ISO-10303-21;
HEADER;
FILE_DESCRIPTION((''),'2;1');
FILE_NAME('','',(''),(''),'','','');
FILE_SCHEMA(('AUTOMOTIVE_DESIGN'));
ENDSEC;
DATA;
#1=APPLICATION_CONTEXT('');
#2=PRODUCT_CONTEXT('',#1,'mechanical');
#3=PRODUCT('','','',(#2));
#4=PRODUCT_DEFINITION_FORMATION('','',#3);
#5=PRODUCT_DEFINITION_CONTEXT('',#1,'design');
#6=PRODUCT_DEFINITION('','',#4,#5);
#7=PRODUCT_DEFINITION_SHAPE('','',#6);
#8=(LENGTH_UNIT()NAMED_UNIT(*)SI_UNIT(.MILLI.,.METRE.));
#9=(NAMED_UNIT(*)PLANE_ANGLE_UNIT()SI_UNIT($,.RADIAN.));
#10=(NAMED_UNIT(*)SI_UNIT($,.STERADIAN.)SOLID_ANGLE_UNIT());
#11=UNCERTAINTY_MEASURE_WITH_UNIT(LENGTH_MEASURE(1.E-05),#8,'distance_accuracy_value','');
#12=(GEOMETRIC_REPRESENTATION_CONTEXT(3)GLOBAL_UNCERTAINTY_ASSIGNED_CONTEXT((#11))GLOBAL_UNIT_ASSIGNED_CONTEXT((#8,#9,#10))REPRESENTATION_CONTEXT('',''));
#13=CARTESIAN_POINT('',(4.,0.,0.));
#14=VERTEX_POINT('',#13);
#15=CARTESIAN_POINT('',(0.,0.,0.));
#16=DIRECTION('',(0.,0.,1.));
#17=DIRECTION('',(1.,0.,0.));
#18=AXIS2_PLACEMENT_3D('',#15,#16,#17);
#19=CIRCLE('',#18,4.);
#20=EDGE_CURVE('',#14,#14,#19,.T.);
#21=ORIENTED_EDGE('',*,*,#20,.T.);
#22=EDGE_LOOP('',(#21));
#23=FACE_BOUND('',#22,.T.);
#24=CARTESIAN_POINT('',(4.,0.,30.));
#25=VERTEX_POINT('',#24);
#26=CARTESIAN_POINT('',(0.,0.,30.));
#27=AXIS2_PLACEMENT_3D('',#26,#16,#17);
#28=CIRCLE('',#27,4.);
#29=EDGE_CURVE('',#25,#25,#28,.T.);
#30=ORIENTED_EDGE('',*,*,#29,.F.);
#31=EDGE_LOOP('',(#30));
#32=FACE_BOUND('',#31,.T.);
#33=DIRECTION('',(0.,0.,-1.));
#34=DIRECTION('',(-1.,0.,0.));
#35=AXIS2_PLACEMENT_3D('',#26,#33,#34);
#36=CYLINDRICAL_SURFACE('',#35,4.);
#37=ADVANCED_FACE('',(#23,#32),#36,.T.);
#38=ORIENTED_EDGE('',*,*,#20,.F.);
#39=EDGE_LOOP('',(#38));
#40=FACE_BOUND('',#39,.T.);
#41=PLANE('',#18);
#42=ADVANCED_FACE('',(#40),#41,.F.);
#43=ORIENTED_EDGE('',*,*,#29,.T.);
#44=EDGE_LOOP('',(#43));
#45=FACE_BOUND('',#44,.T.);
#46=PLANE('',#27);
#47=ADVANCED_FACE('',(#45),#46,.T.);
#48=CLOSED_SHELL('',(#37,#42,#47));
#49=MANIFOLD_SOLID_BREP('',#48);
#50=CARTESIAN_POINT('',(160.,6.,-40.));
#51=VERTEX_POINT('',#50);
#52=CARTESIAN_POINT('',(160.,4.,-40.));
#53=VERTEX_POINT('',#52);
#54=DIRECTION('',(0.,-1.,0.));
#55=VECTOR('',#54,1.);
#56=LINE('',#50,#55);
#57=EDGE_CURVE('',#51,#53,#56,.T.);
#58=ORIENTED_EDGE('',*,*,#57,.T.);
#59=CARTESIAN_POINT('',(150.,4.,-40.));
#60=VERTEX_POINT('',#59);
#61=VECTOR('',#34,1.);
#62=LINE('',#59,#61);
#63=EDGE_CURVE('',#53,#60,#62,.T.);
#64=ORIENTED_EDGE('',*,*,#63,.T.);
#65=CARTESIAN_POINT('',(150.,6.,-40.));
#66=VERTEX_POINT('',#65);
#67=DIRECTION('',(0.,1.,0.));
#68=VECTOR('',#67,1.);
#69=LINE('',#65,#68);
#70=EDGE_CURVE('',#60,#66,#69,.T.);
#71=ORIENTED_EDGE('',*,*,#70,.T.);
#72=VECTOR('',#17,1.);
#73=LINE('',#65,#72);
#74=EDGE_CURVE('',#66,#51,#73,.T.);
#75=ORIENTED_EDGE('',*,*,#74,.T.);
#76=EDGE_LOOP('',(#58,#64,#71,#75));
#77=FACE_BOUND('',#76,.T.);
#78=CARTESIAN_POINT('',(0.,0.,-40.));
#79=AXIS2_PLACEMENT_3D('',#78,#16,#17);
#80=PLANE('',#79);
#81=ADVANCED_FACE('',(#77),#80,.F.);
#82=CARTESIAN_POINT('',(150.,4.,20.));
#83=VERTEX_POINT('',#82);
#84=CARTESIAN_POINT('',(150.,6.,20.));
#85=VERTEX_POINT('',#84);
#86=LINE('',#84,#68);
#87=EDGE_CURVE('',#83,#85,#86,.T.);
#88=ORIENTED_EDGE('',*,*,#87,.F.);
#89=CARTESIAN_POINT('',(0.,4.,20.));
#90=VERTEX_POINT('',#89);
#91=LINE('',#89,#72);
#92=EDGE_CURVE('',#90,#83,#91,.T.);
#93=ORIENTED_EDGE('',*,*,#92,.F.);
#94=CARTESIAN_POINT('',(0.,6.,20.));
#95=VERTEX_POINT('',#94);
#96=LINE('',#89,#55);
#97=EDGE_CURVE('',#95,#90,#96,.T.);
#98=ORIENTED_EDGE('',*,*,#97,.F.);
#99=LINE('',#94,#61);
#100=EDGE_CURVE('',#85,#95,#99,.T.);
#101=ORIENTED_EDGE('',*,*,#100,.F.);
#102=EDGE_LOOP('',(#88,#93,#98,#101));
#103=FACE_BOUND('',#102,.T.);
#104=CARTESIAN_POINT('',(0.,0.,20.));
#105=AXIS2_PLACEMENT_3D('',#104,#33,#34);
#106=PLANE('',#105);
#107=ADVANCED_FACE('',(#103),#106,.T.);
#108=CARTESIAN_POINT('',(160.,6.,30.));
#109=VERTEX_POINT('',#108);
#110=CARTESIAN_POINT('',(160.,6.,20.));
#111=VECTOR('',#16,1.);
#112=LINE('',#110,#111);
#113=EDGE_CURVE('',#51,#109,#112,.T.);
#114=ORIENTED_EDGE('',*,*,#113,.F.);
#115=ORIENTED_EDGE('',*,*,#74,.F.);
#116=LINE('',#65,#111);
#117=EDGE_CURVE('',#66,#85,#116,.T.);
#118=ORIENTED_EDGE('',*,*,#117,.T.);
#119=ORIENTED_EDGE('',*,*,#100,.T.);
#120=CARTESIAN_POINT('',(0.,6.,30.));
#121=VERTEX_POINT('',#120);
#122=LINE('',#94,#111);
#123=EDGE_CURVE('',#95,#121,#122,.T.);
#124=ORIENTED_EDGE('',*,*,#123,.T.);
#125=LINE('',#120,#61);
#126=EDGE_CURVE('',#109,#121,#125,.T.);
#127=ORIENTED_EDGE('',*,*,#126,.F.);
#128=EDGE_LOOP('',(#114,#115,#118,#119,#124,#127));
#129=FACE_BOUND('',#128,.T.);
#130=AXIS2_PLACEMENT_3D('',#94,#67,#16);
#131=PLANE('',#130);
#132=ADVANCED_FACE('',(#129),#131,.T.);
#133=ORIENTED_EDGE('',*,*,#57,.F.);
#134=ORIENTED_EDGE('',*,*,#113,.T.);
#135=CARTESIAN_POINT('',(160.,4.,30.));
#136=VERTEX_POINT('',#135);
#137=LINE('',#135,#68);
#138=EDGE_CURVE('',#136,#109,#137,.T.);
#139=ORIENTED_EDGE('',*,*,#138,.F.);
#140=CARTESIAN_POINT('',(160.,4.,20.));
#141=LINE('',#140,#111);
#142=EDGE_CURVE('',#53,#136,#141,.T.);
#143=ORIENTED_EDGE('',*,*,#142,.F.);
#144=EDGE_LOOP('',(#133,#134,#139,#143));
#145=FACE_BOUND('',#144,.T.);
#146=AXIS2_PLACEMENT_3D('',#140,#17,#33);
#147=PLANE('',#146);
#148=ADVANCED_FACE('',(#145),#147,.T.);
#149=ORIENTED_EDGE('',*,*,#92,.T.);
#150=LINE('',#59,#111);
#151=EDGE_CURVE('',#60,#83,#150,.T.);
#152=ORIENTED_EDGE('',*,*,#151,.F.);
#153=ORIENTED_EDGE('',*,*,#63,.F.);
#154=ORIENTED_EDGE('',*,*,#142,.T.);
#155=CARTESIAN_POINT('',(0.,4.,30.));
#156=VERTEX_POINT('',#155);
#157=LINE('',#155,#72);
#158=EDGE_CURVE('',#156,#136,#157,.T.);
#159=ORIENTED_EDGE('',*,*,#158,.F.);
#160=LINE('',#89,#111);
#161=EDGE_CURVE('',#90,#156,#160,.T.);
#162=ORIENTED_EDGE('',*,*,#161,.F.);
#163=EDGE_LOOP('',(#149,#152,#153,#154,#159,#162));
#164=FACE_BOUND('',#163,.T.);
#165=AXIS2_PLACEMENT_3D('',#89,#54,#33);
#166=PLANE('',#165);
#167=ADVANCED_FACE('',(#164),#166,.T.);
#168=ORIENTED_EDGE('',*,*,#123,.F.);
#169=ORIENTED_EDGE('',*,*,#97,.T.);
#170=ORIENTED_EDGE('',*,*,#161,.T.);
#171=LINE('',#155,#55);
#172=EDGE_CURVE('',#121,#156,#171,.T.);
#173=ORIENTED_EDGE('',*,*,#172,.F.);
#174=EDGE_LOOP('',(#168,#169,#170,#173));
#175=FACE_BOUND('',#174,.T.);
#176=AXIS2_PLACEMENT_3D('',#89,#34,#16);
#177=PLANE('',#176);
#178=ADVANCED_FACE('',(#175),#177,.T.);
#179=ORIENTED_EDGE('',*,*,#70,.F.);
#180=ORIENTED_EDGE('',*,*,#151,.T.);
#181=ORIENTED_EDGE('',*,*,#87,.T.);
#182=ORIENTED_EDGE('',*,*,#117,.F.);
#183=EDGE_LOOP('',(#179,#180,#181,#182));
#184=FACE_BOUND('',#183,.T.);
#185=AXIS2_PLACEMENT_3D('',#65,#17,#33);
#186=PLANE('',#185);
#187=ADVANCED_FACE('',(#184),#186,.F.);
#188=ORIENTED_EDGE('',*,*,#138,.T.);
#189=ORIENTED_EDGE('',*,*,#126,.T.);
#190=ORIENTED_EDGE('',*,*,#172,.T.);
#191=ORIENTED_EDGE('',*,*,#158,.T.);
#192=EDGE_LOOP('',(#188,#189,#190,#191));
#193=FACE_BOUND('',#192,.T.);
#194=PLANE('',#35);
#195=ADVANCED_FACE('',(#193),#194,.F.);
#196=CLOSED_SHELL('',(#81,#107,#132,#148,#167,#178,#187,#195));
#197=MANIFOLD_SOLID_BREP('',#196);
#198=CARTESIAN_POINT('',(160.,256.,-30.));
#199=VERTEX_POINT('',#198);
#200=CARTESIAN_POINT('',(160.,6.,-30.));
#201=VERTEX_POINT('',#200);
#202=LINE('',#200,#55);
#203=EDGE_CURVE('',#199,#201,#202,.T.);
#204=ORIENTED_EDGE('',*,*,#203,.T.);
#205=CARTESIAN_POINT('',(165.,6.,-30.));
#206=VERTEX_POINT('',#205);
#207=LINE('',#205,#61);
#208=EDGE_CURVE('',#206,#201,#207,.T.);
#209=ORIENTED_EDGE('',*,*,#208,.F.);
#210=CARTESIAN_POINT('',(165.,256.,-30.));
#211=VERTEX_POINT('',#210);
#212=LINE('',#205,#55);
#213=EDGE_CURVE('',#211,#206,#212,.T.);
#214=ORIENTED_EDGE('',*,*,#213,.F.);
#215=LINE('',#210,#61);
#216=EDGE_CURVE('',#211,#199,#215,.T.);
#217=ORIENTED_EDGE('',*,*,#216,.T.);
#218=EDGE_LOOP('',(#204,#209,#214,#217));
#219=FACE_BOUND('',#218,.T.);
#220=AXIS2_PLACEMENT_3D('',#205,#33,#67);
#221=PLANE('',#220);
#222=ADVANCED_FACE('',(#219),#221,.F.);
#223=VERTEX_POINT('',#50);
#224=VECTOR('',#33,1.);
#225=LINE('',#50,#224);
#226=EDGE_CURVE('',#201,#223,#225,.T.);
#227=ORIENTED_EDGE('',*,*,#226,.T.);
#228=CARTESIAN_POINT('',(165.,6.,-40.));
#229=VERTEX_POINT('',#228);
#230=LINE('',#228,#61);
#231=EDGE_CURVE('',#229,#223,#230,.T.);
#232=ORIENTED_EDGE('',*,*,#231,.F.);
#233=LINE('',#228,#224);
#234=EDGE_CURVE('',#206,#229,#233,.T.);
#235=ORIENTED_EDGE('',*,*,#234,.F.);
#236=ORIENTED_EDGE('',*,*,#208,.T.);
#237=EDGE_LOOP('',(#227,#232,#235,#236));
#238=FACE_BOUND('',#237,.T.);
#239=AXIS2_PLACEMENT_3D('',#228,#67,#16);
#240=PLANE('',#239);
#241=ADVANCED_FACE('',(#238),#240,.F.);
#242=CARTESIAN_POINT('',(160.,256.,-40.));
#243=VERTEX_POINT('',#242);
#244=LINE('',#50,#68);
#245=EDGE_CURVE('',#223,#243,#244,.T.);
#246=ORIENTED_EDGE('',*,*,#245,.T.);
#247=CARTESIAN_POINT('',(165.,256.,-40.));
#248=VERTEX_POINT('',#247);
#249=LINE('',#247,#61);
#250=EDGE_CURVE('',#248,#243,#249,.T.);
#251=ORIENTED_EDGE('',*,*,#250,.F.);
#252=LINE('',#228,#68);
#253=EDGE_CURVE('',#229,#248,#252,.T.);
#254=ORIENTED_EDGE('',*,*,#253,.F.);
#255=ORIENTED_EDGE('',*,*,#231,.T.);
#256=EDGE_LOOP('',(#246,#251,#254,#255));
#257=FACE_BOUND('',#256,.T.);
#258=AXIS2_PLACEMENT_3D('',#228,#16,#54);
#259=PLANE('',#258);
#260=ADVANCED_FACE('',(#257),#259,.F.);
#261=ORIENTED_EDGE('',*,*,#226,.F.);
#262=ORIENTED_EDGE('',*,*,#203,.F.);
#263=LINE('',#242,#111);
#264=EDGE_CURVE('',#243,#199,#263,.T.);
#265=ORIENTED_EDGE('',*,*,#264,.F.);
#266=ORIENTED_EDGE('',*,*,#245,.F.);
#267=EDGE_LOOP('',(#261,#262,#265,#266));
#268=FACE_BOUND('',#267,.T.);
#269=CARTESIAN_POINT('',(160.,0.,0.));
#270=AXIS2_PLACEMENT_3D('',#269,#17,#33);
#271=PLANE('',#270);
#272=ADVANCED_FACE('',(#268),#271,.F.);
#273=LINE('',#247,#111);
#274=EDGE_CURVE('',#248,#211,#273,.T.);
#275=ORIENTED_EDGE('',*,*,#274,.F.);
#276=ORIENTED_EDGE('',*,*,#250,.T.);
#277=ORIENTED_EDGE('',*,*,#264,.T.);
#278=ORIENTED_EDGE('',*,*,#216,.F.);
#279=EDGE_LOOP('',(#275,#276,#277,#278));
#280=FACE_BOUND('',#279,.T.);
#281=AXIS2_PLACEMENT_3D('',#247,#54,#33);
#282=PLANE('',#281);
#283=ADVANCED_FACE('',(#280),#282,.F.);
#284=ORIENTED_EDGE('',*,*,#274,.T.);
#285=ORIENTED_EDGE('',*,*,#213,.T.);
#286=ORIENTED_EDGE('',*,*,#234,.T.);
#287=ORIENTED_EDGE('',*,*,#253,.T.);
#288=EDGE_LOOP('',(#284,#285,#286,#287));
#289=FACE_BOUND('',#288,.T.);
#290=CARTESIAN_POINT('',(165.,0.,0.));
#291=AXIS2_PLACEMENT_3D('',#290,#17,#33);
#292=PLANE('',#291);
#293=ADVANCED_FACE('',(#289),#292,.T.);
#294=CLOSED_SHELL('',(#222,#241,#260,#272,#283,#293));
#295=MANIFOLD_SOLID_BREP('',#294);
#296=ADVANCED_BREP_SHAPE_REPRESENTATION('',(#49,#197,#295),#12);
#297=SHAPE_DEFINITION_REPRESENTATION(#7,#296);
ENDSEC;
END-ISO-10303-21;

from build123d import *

# Parameters (mm, degrees)
SKETCH1_R           = 4
BOSS_EXTRUDE1_DEPTH = 30
SKETCH2_W           = 160
SKETCH2_H           = 2
BOSS_EXTRUDE2_DEPTH = 10
SKETCH3_W           = 10
SKETCH3_H           = 2
BOSS_EXTRUDE3_DEPTH = 60
SKETCH5_W           = 10
SKETCH5_H           = 250
BOSS_EXTRUDE5_DEPTH = 5


with BuildPart() as part:
    # Sketch1 → Boss-Extrude1 (new body)
    with BuildSketch(Plane.XY):
        Circle(SKETCH1_R)
    extrude(amount=BOSS_EXTRUDE1_DEPTH)


with BuildPart() as body_2:
    # Sketch2 → Boss-Extrude2 (new body)
    with BuildSketch(Plane.XY.offset(30)):
        with Locations((80, 5)):
            Rectangle(SKETCH2_W, SKETCH2_H)
    extrude(amount=-BOSS_EXTRUDE2_DEPTH)

    # Sketch3 → Boss-Extrude3 (add)
    with BuildSketch(Plane(origin=(0, 0, 20), x_dir=(-1, 0, 0), z_dir=(0, 0, -1))):
        with Locations((-155, 5)):
            Rectangle(SKETCH3_W, SKETCH3_H)
    extrude(amount=BOSS_EXTRUDE3_DEPTH)


with BuildPart() as body_3:
    # Sketch5 → Boss-Extrude5 (new body)
    with BuildSketch(Plane(origin=(160, 0, 0), x_dir=(0, 0, -1), z_dir=(1, 0, 0))):
        with Locations((35, 131)):
            Rectangle(SKETCH5_W, SKETCH5_H)
    extrude(amount=BOSS_EXTRUDE5_DEPTH)


solid = Compound([part.part, body_2.part, body_3.part])
